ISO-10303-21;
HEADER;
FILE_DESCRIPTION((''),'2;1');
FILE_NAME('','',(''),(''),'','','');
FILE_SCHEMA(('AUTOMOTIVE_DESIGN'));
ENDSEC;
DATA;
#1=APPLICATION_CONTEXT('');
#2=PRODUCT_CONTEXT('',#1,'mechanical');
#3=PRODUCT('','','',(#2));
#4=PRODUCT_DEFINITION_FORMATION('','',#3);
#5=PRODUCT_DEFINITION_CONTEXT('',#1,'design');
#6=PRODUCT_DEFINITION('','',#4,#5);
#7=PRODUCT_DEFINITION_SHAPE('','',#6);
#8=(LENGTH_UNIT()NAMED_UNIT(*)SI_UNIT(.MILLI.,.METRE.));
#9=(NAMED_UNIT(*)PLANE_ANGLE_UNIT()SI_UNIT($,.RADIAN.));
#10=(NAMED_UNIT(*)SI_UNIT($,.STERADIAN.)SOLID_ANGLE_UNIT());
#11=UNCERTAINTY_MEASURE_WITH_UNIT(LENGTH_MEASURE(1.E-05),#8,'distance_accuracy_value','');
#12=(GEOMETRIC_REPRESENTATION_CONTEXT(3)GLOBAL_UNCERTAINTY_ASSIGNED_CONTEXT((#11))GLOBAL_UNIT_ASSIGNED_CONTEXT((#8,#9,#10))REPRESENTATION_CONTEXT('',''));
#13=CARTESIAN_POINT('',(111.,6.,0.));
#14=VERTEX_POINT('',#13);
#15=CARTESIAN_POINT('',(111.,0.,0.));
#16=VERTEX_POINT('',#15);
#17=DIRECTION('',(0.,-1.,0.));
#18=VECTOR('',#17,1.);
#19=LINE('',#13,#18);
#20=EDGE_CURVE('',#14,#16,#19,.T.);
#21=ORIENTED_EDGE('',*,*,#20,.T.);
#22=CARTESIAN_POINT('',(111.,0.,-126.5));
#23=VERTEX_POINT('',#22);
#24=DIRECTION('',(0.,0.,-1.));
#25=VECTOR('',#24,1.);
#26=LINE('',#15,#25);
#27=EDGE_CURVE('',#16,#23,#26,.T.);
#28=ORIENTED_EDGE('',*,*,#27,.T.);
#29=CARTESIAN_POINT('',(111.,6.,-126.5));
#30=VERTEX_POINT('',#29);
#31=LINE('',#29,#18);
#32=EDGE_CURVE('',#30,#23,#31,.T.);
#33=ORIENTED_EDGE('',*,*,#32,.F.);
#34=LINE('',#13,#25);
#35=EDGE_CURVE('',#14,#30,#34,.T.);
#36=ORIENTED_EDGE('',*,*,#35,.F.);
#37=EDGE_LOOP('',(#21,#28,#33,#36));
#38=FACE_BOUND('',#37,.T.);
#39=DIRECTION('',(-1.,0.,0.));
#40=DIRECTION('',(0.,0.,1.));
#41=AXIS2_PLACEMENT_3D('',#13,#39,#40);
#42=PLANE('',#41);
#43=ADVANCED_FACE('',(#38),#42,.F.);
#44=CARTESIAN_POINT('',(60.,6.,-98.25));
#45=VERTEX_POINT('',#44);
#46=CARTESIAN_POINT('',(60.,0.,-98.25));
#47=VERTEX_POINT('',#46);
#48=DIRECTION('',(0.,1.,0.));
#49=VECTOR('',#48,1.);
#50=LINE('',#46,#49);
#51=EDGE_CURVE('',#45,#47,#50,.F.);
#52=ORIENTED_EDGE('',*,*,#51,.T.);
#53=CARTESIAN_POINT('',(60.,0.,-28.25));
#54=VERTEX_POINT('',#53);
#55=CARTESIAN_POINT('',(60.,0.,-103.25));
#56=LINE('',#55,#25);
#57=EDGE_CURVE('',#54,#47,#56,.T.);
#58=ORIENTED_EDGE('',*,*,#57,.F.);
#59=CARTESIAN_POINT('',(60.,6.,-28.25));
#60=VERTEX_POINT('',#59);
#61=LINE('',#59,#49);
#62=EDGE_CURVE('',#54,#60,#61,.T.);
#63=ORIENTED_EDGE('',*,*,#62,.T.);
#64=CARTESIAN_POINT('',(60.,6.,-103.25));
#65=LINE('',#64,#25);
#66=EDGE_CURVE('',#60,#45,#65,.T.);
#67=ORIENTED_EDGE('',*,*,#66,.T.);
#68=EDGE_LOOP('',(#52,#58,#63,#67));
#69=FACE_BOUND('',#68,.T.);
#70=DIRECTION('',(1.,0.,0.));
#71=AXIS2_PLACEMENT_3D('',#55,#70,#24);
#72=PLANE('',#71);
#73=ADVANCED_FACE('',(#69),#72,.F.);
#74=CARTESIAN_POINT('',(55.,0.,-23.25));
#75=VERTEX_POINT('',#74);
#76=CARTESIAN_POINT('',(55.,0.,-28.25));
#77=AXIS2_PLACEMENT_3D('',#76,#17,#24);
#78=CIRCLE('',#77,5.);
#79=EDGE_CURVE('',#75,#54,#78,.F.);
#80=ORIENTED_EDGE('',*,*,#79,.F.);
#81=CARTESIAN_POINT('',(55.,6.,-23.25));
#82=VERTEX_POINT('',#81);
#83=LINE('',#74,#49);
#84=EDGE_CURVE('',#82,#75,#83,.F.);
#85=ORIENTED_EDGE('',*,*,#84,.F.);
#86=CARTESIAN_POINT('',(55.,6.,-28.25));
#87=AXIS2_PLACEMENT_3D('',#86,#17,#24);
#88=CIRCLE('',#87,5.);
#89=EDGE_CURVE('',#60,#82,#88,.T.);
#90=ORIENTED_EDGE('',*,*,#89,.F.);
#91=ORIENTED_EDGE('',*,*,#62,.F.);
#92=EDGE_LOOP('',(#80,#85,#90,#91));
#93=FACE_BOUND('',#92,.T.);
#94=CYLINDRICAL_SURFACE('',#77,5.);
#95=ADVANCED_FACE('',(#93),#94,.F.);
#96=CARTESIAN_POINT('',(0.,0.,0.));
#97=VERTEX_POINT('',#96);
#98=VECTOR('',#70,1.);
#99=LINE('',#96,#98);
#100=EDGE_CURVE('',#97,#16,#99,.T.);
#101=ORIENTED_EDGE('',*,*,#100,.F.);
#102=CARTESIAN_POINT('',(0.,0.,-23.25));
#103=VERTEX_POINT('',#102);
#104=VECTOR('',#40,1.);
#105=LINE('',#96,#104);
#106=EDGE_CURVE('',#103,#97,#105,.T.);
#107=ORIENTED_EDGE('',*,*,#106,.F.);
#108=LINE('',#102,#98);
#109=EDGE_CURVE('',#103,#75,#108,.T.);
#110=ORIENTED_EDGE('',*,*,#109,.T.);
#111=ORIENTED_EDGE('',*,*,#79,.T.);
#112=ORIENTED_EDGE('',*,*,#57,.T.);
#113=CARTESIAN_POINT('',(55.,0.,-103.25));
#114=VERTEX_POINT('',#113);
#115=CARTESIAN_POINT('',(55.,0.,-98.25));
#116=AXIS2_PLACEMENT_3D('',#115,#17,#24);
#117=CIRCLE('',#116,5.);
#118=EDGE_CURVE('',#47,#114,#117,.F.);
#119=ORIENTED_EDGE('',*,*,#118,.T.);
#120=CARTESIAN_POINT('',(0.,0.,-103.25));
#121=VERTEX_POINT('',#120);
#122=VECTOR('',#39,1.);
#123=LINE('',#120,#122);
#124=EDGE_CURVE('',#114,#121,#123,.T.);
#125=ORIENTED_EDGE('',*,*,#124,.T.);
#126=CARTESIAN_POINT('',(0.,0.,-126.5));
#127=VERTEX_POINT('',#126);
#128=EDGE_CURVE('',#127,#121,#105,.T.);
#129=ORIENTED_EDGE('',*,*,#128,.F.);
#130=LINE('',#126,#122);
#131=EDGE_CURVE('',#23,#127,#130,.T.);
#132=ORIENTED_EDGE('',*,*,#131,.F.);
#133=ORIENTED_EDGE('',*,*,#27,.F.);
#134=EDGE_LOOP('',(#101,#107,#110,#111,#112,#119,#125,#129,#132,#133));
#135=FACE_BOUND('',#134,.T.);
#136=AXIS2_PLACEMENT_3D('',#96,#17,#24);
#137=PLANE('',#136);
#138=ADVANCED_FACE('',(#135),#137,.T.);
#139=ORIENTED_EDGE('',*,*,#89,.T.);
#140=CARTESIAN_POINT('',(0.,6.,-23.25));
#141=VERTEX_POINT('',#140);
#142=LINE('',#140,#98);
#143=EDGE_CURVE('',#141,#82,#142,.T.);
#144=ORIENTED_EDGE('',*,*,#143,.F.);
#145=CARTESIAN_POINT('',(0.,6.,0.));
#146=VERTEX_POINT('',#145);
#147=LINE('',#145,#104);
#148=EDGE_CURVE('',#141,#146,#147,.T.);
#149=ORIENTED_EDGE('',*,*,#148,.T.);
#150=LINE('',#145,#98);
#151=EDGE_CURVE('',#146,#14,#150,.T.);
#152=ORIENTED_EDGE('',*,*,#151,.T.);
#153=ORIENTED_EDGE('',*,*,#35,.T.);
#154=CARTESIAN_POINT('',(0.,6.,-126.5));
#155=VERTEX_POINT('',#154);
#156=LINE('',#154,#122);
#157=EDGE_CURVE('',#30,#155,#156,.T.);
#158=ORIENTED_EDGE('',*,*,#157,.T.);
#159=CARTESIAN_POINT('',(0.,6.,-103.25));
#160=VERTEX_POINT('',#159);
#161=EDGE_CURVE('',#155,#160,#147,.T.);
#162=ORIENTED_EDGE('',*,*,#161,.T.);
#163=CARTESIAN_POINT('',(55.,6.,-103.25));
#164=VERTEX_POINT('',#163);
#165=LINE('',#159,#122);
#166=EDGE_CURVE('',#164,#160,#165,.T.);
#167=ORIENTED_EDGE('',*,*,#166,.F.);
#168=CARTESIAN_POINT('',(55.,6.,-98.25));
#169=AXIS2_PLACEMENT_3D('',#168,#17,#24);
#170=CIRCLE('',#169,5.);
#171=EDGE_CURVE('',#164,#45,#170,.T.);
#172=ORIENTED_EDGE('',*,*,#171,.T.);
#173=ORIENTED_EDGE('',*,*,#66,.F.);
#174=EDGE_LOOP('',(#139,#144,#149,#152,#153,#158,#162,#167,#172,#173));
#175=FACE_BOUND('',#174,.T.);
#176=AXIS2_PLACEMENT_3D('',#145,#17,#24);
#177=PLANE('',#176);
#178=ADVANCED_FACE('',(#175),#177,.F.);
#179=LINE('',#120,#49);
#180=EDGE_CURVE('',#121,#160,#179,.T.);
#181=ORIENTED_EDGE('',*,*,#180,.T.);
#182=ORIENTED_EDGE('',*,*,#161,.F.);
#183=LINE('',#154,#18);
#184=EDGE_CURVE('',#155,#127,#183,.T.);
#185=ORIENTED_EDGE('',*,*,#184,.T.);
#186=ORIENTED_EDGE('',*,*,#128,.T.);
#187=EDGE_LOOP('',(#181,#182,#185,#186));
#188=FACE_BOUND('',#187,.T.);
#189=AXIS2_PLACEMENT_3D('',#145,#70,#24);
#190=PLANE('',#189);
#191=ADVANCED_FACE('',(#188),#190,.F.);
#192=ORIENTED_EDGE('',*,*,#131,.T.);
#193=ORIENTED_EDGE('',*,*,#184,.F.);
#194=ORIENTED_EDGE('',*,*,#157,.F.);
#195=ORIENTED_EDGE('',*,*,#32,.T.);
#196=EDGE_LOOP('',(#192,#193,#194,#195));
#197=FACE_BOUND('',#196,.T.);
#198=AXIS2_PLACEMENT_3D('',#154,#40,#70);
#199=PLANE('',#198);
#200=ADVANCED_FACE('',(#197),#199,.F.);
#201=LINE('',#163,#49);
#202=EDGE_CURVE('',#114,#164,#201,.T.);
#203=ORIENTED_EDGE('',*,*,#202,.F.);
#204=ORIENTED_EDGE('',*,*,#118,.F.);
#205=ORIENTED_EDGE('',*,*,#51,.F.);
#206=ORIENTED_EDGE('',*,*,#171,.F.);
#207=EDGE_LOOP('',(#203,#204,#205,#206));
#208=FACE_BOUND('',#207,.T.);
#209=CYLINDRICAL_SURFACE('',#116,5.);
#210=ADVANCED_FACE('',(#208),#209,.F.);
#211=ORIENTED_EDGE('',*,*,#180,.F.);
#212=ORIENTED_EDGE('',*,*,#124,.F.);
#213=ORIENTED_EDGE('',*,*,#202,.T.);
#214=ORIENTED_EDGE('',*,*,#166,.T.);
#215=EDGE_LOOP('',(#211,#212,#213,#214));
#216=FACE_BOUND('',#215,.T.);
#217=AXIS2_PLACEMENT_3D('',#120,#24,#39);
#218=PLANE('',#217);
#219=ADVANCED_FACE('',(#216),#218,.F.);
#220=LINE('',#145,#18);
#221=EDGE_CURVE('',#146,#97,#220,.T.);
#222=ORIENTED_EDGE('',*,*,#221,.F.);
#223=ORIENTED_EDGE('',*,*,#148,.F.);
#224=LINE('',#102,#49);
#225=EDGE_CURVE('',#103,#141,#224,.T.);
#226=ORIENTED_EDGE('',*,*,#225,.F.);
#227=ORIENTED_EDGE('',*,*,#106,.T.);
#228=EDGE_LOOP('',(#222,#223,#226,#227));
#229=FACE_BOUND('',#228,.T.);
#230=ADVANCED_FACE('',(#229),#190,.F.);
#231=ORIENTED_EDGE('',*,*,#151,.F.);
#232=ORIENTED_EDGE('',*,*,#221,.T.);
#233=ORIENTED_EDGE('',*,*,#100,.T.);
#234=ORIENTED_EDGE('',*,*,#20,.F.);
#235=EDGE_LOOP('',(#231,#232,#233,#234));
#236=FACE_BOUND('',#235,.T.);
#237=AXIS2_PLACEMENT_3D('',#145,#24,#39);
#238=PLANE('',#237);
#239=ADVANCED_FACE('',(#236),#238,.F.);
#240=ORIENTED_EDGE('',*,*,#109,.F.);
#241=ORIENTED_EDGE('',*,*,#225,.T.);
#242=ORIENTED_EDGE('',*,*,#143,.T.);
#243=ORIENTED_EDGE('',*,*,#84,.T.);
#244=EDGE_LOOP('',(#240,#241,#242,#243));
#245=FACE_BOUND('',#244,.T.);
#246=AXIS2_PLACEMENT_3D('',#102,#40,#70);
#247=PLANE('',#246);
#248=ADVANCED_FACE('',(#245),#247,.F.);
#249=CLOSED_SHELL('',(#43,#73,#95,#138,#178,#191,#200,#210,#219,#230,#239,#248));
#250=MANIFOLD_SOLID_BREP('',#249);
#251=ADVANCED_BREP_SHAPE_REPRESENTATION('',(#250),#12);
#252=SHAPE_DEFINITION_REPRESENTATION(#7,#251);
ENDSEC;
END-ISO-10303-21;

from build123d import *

# Parameters (mm, degrees)
SKETCH1_W           = 111
SKETCH1_H           = 126.5
BOSS_EXTRUDE1_DEPTH = 6
SKETCH2_W           = 60
SKETCH2_H           = 80
CUT_EXTRUDE1_DEPTH  = 7
FILLET1_R           = 5


with BuildPart() as part:
    # Sketch1 → Boss-Extrude1 (new body)
    with BuildSketch(Plane(origin=(0, 0, 0), x_dir=(1, 0, 0), z_dir=(0, 1, 0))):
        with Locations((55.5, 63.25)):
            Rectangle(SKETCH1_W, SKETCH1_H)
    extrude(amount=BOSS_EXTRUDE1_DEPTH)

    # Sketch2 → Cut-Extrude1 (cut, through all)
    with BuildSketch(Plane(origin=(0, 6, 0), x_dir=(1, 0, 0), z_dir=(0, 1, 0))):
        with Locations((30, 63.25)):
            Rectangle(SKETCH2_W, SKETCH2_H)
    extrude(amount=-CUT_EXTRUDE1_DEPTH, mode=Mode.SUBTRACT)

    # Fillet1
    fillet1_edges = [part.edges().sort_by_distance(p)[0] for p in [
        (60, 3, -103.25),
        (60, 3, -23.25),
    ]]
    fillet(fillet1_edges, radius=FILLET1_R)


solid = part.part
